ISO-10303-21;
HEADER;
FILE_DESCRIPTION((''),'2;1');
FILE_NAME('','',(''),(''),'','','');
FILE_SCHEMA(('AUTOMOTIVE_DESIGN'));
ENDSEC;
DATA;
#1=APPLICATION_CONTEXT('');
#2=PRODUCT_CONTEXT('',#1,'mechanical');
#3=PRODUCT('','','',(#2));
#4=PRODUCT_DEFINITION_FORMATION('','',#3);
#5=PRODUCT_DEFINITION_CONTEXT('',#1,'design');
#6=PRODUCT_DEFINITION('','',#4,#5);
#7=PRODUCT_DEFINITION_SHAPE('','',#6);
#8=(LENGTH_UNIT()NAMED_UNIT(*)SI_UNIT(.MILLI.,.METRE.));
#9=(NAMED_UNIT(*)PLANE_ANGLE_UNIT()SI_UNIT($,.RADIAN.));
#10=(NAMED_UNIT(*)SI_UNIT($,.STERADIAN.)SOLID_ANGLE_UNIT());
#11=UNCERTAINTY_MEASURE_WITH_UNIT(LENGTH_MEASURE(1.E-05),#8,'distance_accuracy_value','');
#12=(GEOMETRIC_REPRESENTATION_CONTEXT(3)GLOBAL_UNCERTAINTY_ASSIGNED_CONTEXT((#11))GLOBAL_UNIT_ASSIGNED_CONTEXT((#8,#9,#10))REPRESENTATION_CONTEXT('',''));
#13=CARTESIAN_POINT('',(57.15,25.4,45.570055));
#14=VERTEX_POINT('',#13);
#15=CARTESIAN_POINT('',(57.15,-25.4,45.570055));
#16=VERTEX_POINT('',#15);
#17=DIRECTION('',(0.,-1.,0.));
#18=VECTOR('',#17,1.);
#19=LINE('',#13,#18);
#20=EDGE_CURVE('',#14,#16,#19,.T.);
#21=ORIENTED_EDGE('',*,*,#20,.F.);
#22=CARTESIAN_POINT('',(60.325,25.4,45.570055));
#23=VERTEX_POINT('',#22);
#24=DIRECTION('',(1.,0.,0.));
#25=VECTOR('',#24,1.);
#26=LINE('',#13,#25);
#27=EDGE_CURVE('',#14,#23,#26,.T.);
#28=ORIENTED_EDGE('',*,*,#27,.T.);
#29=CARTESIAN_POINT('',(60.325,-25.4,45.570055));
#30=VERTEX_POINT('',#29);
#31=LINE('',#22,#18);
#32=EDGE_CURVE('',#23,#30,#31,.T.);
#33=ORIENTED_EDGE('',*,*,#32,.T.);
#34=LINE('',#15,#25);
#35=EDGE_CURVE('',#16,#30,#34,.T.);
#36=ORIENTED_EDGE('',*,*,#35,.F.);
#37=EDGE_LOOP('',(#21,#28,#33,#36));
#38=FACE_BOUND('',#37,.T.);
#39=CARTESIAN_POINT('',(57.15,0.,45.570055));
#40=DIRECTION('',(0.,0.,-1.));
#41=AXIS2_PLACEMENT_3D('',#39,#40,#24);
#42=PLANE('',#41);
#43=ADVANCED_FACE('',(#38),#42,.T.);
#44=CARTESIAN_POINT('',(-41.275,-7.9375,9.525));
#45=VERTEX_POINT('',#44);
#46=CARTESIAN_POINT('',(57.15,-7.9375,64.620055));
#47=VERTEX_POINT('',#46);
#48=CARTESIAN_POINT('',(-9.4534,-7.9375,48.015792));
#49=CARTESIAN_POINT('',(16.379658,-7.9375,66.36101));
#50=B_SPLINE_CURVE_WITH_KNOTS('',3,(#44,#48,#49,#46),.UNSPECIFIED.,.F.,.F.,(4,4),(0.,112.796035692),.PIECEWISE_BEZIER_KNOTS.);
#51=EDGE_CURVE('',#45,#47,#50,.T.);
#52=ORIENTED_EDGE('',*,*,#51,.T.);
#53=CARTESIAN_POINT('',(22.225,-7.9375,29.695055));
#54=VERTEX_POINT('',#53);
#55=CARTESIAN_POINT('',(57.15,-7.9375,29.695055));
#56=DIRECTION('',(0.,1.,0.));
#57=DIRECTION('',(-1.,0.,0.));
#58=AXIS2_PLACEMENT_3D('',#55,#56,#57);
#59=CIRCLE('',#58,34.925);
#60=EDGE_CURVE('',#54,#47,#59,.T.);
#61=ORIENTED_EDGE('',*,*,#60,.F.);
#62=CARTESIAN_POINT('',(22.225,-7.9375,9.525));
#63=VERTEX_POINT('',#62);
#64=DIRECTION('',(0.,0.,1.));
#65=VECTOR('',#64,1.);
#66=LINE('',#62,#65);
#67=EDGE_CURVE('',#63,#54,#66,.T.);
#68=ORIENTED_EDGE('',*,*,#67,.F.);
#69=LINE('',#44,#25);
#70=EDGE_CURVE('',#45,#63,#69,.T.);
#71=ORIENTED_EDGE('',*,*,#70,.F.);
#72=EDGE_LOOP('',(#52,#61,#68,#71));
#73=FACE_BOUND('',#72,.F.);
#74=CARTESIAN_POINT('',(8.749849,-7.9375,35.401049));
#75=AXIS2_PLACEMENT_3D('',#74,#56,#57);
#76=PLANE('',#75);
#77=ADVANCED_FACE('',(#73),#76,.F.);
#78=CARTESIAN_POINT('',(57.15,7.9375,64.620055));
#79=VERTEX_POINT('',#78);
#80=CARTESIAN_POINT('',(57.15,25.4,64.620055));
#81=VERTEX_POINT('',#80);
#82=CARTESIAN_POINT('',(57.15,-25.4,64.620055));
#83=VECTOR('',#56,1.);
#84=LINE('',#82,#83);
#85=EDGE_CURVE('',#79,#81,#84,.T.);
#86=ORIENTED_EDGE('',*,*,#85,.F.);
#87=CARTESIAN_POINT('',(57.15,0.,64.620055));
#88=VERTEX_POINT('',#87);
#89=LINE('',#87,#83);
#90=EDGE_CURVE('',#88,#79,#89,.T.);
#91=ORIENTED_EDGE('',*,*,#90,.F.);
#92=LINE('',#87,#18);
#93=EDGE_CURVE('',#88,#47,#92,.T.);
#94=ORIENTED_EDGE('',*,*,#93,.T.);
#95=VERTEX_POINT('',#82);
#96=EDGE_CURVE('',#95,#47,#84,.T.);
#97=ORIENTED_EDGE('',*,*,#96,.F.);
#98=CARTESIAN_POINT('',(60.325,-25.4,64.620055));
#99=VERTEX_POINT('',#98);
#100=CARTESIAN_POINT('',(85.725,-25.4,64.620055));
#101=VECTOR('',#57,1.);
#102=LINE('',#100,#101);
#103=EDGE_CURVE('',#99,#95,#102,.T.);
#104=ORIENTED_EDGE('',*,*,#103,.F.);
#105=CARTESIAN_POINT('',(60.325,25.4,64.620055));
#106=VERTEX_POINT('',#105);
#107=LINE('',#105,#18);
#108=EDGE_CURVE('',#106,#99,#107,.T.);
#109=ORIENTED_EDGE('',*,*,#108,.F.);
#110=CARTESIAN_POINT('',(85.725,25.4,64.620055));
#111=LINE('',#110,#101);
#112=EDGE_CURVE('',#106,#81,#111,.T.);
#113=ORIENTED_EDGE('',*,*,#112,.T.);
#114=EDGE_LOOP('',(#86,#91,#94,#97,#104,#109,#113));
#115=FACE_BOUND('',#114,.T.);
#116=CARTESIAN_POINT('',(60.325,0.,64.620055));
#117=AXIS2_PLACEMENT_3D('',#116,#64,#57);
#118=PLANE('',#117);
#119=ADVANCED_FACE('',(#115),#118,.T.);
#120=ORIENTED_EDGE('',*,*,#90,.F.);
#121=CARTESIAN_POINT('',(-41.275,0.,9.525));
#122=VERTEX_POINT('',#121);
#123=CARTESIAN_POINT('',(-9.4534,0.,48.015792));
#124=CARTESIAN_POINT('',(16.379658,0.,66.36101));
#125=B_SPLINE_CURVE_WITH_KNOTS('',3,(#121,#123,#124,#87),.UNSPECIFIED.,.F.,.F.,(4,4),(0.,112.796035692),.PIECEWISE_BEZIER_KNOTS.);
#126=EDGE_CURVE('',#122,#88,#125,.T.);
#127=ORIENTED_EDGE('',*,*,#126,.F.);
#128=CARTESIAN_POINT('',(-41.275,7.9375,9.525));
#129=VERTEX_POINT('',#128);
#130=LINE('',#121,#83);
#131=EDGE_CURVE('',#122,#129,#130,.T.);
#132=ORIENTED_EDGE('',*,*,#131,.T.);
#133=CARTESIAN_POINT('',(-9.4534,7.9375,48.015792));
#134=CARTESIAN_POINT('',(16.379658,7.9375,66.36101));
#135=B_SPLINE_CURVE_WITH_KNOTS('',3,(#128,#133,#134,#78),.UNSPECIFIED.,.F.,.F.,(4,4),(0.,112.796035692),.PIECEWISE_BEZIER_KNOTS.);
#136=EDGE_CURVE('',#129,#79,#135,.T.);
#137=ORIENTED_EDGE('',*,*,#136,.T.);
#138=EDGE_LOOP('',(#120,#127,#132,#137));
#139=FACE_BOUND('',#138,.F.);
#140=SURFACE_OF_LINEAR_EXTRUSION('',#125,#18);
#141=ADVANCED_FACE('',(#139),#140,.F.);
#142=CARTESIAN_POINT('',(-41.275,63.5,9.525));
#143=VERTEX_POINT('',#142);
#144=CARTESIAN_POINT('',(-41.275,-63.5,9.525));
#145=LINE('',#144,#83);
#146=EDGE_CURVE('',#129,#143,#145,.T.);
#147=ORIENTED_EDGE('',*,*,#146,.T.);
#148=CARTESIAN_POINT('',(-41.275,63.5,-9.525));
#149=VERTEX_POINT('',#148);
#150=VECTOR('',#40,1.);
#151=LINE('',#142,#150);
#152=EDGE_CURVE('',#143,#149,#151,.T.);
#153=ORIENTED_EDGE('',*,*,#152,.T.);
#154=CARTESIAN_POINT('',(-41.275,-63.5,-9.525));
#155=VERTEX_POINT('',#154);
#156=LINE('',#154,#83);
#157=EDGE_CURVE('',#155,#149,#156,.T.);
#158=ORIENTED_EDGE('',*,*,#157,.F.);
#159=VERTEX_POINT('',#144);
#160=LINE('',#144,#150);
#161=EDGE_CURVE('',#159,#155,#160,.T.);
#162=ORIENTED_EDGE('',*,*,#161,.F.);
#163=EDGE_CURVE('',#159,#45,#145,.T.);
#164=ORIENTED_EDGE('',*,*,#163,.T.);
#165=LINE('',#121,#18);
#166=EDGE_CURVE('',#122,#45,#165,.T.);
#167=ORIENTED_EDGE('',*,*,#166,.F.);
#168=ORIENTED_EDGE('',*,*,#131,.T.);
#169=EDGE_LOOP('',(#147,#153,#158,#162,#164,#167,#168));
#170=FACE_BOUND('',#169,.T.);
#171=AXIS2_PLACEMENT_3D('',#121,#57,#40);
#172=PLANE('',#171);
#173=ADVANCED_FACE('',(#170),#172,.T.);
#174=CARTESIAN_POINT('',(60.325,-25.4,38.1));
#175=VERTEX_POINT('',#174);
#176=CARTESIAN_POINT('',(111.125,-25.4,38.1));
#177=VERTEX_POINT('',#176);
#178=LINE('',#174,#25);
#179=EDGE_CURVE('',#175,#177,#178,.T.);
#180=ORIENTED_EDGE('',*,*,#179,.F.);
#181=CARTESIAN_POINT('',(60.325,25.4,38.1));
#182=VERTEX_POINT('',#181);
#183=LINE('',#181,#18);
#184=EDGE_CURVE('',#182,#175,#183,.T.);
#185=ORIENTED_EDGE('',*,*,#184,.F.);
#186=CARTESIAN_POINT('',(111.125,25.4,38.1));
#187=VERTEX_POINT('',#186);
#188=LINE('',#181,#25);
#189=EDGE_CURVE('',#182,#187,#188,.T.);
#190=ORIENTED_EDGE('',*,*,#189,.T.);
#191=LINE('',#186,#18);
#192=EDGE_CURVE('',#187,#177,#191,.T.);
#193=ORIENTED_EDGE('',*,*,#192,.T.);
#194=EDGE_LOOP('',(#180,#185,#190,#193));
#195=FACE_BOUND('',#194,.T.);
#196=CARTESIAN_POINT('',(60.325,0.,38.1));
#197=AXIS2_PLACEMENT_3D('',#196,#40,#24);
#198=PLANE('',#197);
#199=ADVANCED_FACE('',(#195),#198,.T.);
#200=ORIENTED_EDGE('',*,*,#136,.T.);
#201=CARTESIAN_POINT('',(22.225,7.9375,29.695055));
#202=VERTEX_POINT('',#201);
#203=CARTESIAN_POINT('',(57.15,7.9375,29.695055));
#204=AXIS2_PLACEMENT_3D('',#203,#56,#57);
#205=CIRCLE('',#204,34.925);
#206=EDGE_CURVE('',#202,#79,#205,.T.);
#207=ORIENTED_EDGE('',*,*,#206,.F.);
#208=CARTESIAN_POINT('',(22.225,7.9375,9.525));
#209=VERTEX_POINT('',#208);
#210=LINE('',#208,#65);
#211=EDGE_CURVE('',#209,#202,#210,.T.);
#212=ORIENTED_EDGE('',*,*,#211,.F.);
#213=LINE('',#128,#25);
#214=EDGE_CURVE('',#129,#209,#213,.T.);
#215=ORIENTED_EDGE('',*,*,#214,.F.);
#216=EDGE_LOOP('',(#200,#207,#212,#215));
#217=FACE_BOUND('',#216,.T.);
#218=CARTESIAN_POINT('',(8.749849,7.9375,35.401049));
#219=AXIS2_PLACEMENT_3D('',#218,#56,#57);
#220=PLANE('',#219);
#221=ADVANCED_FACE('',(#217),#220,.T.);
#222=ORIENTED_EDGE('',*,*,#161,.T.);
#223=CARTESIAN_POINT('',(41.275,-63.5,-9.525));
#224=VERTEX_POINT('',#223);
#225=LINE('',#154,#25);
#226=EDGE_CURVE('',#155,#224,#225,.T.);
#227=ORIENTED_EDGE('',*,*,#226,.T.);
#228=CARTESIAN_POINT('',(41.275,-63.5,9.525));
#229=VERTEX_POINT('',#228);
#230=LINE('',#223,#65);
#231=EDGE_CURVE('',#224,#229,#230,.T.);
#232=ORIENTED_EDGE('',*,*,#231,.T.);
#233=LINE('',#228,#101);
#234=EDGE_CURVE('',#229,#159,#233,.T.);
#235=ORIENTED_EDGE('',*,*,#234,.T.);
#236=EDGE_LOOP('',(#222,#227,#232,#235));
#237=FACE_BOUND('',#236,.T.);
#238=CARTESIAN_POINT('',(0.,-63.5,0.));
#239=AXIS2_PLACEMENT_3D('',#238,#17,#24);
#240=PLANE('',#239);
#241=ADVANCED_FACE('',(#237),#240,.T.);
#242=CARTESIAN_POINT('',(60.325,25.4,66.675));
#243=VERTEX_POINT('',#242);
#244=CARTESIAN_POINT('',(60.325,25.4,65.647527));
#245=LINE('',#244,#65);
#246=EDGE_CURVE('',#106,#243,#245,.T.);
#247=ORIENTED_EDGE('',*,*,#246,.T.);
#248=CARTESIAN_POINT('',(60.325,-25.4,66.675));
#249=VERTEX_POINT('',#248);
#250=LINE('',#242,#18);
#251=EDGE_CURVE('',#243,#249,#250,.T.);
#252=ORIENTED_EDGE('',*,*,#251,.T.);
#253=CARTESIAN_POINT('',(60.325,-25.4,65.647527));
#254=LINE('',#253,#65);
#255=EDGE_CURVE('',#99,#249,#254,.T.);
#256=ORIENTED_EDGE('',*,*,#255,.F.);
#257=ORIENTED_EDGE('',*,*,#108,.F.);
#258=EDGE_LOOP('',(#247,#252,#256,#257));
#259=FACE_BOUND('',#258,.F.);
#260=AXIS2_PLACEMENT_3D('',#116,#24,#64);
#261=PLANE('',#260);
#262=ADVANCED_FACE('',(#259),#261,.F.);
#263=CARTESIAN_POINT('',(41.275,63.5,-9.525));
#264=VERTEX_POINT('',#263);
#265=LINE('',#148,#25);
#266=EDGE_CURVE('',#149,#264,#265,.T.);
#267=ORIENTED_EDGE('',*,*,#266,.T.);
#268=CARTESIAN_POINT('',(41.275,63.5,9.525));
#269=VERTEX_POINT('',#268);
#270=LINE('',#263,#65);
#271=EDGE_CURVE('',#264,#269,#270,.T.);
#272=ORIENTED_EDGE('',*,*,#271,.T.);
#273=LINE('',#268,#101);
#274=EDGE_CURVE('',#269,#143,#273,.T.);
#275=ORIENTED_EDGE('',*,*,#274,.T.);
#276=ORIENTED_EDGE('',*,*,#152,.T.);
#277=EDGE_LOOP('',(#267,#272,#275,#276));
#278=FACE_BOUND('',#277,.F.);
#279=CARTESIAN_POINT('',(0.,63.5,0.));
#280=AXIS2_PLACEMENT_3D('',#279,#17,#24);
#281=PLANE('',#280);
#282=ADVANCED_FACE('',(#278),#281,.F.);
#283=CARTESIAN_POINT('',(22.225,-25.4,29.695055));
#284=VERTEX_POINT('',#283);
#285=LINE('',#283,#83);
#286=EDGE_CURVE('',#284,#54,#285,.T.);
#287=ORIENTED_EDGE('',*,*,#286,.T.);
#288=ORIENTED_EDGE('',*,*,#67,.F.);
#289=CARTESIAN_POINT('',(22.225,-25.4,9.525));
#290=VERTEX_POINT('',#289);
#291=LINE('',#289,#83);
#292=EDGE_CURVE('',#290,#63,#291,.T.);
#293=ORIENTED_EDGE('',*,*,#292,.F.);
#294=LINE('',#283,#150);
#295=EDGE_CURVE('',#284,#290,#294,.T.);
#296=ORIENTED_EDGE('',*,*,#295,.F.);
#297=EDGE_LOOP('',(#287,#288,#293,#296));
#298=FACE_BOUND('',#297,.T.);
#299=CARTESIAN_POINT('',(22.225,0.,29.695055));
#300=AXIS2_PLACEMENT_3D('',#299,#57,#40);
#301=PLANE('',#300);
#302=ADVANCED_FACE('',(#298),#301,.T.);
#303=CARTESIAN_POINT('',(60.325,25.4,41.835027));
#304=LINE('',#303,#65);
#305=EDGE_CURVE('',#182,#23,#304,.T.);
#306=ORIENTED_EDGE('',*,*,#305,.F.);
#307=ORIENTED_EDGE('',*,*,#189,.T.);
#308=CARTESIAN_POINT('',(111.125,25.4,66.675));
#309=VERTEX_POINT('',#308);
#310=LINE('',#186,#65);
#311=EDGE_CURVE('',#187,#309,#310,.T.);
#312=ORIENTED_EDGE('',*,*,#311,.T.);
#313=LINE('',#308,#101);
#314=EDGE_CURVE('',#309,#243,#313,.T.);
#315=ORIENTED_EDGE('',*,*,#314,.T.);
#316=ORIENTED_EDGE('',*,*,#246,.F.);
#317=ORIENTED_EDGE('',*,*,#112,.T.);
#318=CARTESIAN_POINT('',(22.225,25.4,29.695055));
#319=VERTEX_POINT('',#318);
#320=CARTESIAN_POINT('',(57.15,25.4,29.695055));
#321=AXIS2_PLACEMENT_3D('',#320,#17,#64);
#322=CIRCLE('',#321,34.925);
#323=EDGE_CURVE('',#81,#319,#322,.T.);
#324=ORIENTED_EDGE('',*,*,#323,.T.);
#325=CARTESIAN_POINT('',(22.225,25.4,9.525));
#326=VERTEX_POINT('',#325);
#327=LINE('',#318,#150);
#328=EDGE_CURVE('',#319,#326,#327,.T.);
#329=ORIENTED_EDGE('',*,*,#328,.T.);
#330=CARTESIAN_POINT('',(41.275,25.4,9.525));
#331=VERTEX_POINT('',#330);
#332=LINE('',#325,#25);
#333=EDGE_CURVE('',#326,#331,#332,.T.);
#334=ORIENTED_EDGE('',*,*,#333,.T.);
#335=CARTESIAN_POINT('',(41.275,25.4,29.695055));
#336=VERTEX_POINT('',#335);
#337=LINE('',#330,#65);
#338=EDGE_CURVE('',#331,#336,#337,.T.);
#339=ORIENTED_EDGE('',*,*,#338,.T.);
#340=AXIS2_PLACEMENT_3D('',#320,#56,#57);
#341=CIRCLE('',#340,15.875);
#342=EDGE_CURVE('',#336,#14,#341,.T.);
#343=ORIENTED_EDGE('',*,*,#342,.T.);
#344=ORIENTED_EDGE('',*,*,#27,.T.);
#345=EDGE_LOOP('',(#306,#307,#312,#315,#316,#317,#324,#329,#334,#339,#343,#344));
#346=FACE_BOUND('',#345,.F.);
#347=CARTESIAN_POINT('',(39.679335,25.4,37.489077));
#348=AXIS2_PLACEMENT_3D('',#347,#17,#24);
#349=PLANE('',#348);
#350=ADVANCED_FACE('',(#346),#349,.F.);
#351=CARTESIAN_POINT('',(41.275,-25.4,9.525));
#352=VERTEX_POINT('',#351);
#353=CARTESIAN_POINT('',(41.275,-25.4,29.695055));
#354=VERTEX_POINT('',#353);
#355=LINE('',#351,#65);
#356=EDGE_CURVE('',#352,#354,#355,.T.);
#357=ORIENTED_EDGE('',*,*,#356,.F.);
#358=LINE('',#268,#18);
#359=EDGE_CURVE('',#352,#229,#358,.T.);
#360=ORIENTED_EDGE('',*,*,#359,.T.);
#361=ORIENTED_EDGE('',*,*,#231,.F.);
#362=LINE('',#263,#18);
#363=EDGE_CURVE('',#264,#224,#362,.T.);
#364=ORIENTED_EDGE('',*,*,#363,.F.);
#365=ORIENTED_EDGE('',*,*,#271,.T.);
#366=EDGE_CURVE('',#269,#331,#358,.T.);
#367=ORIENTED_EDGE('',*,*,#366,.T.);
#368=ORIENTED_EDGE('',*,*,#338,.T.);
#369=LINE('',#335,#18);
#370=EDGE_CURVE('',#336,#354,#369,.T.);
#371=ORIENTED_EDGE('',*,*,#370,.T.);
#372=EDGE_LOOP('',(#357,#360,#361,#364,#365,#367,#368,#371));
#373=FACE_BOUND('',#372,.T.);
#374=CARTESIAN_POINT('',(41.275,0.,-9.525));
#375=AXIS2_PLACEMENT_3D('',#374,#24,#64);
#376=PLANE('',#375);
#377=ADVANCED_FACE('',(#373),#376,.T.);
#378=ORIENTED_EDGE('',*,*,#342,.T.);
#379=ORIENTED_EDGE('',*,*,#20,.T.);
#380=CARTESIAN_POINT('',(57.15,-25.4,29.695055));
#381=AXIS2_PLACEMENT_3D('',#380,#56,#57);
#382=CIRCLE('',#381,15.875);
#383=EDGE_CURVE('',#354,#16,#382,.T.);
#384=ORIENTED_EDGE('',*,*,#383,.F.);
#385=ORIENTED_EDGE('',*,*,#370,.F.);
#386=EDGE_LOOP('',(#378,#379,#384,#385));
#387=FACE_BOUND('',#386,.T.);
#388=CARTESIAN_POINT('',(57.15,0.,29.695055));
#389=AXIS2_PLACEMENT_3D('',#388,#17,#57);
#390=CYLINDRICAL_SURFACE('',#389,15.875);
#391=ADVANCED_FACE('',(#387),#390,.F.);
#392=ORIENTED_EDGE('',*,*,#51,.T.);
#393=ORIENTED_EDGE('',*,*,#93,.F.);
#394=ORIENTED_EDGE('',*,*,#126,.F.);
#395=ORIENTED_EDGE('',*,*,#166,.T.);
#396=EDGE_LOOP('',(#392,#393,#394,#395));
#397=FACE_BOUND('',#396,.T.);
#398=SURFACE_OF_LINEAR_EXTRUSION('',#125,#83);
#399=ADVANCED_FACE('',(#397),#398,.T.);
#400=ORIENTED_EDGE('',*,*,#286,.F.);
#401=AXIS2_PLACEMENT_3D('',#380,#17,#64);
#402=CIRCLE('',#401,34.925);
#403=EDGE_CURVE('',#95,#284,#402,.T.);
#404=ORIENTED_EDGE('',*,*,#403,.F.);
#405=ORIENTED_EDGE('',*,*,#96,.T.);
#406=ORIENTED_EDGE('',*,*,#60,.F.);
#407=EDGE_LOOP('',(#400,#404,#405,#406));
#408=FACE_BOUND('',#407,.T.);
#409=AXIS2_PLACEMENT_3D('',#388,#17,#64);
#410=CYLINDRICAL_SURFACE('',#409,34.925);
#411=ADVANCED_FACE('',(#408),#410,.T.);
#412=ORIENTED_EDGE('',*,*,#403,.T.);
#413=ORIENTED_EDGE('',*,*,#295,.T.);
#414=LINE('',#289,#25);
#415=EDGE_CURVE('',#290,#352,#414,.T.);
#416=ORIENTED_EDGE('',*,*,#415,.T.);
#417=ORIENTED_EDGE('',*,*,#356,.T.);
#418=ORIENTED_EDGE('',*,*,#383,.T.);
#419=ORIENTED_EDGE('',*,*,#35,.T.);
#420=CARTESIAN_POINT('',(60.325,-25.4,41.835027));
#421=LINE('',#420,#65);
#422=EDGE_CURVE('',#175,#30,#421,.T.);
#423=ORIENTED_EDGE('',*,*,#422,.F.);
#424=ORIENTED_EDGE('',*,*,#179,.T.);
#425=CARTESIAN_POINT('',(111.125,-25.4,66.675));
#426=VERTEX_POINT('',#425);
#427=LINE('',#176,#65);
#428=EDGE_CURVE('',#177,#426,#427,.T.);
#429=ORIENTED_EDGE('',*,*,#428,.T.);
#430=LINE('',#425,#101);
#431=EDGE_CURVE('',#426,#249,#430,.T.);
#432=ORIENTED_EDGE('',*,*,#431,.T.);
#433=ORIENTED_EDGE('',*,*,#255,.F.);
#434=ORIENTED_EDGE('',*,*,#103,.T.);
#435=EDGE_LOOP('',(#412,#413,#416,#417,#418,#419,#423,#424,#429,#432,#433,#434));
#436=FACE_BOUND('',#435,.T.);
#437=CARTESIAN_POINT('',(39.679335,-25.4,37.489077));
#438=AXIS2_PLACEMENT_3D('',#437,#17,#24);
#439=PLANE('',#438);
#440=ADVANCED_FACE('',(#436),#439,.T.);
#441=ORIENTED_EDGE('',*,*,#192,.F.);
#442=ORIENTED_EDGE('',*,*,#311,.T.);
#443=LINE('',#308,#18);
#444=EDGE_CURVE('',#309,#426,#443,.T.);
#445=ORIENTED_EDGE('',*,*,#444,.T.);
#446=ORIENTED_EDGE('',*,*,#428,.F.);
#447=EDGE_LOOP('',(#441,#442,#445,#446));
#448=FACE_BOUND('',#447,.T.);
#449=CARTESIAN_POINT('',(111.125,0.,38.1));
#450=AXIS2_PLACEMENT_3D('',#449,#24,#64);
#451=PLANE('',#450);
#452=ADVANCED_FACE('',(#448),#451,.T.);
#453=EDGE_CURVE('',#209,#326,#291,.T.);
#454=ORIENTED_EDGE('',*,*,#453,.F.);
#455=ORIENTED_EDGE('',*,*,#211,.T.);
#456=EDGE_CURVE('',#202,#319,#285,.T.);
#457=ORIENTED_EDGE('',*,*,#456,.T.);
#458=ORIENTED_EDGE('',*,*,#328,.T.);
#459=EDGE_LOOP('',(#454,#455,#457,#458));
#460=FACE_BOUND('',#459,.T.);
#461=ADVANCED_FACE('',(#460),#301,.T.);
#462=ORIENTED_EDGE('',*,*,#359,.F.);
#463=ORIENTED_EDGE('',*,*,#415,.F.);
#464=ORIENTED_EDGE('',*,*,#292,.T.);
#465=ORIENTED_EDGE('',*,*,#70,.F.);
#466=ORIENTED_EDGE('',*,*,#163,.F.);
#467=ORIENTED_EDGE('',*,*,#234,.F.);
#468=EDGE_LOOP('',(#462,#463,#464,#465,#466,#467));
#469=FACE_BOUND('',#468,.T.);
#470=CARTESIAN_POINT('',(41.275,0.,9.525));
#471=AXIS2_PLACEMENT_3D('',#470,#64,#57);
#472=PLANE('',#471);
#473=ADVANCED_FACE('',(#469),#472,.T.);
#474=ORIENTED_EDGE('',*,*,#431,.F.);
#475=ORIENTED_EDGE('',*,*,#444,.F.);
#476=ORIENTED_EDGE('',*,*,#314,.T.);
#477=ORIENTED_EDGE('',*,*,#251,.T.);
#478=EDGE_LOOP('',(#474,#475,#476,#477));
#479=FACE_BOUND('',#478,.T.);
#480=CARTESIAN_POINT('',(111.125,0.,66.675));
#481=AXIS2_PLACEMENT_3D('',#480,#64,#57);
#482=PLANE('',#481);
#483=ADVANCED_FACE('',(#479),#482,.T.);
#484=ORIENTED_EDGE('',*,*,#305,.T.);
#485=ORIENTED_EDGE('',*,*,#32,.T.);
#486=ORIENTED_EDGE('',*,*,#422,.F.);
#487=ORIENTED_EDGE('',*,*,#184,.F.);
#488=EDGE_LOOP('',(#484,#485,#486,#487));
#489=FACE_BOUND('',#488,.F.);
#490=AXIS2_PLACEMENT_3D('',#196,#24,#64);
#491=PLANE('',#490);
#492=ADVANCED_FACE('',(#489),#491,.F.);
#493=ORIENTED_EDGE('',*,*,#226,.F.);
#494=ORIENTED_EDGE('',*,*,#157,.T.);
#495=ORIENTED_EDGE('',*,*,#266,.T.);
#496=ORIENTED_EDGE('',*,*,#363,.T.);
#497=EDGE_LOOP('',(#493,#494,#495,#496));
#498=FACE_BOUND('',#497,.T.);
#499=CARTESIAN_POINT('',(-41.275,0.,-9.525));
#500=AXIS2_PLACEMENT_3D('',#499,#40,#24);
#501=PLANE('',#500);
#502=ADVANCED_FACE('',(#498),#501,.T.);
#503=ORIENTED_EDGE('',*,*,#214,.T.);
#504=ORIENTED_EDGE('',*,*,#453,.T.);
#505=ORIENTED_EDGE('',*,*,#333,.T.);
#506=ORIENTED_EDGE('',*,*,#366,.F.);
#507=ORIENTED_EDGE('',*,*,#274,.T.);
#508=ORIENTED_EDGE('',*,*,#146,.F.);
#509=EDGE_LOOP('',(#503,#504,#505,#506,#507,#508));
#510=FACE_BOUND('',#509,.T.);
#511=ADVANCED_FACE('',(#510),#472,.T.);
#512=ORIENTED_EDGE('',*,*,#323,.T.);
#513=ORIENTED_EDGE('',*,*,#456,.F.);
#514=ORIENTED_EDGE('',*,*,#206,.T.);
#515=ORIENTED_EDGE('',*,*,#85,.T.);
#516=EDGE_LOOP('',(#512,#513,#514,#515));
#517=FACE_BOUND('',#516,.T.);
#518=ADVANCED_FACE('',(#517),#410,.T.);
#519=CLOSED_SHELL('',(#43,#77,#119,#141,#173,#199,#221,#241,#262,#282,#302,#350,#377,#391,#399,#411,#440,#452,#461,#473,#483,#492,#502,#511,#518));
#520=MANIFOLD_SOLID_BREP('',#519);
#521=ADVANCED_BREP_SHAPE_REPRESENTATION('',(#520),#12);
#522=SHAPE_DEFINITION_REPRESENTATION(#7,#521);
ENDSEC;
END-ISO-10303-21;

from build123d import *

# Parameters (mm, degrees)
F1_DEPTH = 63.5
F0_W     = 25.4
F0_H     = 19.05
F0_H_2   = 7.4700546124
F0_H_3   = 2.0549453876
F2_DEPTH = 25.4
F3_DEPTH = 7.9375


with BuildPart() as f1:
    # F0 (on Front) → F1 (new body, symmetric)
    with BuildSketch(Plane.XZ):
        Polygon((-41.275, -9.525), (41.275, -9.525), (41.275, 9.525), (22.225, 9.525), (-41.275, 9.525), align=None)
    extrude(amount=F1_DEPTH, both=True)

    # F0 (on Front) → F2 (join, symmetric)
    with BuildSketch(Plane.XZ):
        with BuildLine():
            Line((22.225, 9.525), (41.275, 9.525))
            Line((41.275, 9.525), (41.275, 29.6950546124))
            ThreePointArc((41.275, 29.6950546124), (45.9246798487, 40.9203747637), (57.15, 45.5700546124))
            Line((57.15, 45.5700546124), (60.325, 45.5700546124))
            Line((60.325, 45.5700546124), (60.325, 64.6200546124))
            Line((60.325, 64.6200546124), (57.15, 64.6200546124))
            ThreePointArc((57.15, 64.6200546124), (32.4542956671, 54.3907589453), (22.225, 29.6950546124))
            Line((22.225, 29.6950546124), (22.225, 9.525))
        make_face()
        Polygon((85.725, 66.675), (85.725, 64.6200546124), (85.725, 45.5700546124), (85.725, 38.1), (111.125, 38.1), (111.125, 66.675), align=None)
        with Locations((73.025, 55.0950546124)):
            Rectangle(F0_W, F0_H)
        with Locations((73.025, 41.8350273062)):
            Rectangle(F0_W, F0_H_2)
        with Locations((73.025, 65.6475273062)):
            Rectangle(F0_W, F0_H_3)
    extrude(amount=F2_DEPTH, both=True)

    # F0 (on Front) → F3 (join, symmetric)
    with BuildSketch(Plane.XZ):
        with BuildLine():
            add(Edge.make_bspline(
                [(-41.275, 9.525), (-9.4534000382, 48.0157919228), (16.3796581328, 66.3610100746), (57.15, 64.6200546124)],
                knots=[0, 0, 0, 0, 112.7960356916, 112.7960356916, 112.7960356916, 112.7960356916], degree=3))
            Line((-41.275, 9.525), (22.225, 9.525))
            Line((22.225, 9.525), (22.225, 29.6950546124))
            ThreePointArc((22.225, 29.6950546124), (32.4542956671, 54.3907589453), (57.15, 64.6200546124))
        make_face()
    extrude(amount=F3_DEPTH, both=True)


solid = f1.part
